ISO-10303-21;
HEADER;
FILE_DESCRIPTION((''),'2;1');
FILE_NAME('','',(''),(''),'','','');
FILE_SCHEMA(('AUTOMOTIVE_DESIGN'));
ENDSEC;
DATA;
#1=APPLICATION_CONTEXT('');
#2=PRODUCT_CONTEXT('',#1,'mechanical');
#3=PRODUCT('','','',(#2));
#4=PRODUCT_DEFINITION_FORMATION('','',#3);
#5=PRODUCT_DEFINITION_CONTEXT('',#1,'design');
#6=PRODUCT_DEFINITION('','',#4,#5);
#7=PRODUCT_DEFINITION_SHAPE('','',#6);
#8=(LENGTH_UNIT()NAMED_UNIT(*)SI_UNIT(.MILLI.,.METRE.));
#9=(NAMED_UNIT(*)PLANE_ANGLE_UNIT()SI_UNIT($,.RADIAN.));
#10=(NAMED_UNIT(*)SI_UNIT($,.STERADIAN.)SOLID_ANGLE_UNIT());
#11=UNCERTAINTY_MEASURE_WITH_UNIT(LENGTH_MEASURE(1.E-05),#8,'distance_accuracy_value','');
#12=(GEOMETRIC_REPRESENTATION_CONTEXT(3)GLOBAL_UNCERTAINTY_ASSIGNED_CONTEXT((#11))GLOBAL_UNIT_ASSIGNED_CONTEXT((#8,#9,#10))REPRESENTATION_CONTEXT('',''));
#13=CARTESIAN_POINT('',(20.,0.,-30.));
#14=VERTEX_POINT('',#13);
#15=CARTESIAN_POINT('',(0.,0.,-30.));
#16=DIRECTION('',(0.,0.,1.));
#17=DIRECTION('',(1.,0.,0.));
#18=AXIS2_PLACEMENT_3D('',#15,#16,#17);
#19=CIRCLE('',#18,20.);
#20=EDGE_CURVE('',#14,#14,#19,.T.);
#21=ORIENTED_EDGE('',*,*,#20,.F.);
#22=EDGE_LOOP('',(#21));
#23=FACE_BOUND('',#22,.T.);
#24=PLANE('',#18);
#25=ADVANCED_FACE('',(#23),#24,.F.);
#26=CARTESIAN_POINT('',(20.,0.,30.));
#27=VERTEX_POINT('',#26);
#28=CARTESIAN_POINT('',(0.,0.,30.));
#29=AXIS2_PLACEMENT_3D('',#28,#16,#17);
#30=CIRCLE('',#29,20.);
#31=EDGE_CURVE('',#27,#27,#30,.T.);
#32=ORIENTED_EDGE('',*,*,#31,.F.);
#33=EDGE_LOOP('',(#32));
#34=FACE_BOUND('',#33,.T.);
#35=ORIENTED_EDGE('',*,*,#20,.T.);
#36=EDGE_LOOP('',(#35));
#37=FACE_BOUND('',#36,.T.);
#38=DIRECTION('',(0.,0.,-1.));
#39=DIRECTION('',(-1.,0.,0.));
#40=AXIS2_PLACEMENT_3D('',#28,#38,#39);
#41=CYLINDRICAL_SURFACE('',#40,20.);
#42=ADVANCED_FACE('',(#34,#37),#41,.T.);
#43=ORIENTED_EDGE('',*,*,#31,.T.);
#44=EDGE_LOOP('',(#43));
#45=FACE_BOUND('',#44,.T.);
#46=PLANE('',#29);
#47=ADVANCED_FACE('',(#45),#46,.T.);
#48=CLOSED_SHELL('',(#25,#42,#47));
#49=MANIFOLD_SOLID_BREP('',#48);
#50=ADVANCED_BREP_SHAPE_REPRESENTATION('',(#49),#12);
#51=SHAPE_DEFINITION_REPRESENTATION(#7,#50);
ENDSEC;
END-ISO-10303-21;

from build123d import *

# Parameters (mm, degrees)
ESQUISSE1_R        = 20
BOSS_EXTRU_1_DEPTH = 30


with BuildPart() as part:
    # Esquisse1 → Boss.-Extru.1 (new, symmetric)
    with BuildSketch(Plane.XY):
        Circle(ESQUISSE1_R)
    extrude(amount=BOSS_EXTRU_1_DEPTH, both=True)


solid = part.part
